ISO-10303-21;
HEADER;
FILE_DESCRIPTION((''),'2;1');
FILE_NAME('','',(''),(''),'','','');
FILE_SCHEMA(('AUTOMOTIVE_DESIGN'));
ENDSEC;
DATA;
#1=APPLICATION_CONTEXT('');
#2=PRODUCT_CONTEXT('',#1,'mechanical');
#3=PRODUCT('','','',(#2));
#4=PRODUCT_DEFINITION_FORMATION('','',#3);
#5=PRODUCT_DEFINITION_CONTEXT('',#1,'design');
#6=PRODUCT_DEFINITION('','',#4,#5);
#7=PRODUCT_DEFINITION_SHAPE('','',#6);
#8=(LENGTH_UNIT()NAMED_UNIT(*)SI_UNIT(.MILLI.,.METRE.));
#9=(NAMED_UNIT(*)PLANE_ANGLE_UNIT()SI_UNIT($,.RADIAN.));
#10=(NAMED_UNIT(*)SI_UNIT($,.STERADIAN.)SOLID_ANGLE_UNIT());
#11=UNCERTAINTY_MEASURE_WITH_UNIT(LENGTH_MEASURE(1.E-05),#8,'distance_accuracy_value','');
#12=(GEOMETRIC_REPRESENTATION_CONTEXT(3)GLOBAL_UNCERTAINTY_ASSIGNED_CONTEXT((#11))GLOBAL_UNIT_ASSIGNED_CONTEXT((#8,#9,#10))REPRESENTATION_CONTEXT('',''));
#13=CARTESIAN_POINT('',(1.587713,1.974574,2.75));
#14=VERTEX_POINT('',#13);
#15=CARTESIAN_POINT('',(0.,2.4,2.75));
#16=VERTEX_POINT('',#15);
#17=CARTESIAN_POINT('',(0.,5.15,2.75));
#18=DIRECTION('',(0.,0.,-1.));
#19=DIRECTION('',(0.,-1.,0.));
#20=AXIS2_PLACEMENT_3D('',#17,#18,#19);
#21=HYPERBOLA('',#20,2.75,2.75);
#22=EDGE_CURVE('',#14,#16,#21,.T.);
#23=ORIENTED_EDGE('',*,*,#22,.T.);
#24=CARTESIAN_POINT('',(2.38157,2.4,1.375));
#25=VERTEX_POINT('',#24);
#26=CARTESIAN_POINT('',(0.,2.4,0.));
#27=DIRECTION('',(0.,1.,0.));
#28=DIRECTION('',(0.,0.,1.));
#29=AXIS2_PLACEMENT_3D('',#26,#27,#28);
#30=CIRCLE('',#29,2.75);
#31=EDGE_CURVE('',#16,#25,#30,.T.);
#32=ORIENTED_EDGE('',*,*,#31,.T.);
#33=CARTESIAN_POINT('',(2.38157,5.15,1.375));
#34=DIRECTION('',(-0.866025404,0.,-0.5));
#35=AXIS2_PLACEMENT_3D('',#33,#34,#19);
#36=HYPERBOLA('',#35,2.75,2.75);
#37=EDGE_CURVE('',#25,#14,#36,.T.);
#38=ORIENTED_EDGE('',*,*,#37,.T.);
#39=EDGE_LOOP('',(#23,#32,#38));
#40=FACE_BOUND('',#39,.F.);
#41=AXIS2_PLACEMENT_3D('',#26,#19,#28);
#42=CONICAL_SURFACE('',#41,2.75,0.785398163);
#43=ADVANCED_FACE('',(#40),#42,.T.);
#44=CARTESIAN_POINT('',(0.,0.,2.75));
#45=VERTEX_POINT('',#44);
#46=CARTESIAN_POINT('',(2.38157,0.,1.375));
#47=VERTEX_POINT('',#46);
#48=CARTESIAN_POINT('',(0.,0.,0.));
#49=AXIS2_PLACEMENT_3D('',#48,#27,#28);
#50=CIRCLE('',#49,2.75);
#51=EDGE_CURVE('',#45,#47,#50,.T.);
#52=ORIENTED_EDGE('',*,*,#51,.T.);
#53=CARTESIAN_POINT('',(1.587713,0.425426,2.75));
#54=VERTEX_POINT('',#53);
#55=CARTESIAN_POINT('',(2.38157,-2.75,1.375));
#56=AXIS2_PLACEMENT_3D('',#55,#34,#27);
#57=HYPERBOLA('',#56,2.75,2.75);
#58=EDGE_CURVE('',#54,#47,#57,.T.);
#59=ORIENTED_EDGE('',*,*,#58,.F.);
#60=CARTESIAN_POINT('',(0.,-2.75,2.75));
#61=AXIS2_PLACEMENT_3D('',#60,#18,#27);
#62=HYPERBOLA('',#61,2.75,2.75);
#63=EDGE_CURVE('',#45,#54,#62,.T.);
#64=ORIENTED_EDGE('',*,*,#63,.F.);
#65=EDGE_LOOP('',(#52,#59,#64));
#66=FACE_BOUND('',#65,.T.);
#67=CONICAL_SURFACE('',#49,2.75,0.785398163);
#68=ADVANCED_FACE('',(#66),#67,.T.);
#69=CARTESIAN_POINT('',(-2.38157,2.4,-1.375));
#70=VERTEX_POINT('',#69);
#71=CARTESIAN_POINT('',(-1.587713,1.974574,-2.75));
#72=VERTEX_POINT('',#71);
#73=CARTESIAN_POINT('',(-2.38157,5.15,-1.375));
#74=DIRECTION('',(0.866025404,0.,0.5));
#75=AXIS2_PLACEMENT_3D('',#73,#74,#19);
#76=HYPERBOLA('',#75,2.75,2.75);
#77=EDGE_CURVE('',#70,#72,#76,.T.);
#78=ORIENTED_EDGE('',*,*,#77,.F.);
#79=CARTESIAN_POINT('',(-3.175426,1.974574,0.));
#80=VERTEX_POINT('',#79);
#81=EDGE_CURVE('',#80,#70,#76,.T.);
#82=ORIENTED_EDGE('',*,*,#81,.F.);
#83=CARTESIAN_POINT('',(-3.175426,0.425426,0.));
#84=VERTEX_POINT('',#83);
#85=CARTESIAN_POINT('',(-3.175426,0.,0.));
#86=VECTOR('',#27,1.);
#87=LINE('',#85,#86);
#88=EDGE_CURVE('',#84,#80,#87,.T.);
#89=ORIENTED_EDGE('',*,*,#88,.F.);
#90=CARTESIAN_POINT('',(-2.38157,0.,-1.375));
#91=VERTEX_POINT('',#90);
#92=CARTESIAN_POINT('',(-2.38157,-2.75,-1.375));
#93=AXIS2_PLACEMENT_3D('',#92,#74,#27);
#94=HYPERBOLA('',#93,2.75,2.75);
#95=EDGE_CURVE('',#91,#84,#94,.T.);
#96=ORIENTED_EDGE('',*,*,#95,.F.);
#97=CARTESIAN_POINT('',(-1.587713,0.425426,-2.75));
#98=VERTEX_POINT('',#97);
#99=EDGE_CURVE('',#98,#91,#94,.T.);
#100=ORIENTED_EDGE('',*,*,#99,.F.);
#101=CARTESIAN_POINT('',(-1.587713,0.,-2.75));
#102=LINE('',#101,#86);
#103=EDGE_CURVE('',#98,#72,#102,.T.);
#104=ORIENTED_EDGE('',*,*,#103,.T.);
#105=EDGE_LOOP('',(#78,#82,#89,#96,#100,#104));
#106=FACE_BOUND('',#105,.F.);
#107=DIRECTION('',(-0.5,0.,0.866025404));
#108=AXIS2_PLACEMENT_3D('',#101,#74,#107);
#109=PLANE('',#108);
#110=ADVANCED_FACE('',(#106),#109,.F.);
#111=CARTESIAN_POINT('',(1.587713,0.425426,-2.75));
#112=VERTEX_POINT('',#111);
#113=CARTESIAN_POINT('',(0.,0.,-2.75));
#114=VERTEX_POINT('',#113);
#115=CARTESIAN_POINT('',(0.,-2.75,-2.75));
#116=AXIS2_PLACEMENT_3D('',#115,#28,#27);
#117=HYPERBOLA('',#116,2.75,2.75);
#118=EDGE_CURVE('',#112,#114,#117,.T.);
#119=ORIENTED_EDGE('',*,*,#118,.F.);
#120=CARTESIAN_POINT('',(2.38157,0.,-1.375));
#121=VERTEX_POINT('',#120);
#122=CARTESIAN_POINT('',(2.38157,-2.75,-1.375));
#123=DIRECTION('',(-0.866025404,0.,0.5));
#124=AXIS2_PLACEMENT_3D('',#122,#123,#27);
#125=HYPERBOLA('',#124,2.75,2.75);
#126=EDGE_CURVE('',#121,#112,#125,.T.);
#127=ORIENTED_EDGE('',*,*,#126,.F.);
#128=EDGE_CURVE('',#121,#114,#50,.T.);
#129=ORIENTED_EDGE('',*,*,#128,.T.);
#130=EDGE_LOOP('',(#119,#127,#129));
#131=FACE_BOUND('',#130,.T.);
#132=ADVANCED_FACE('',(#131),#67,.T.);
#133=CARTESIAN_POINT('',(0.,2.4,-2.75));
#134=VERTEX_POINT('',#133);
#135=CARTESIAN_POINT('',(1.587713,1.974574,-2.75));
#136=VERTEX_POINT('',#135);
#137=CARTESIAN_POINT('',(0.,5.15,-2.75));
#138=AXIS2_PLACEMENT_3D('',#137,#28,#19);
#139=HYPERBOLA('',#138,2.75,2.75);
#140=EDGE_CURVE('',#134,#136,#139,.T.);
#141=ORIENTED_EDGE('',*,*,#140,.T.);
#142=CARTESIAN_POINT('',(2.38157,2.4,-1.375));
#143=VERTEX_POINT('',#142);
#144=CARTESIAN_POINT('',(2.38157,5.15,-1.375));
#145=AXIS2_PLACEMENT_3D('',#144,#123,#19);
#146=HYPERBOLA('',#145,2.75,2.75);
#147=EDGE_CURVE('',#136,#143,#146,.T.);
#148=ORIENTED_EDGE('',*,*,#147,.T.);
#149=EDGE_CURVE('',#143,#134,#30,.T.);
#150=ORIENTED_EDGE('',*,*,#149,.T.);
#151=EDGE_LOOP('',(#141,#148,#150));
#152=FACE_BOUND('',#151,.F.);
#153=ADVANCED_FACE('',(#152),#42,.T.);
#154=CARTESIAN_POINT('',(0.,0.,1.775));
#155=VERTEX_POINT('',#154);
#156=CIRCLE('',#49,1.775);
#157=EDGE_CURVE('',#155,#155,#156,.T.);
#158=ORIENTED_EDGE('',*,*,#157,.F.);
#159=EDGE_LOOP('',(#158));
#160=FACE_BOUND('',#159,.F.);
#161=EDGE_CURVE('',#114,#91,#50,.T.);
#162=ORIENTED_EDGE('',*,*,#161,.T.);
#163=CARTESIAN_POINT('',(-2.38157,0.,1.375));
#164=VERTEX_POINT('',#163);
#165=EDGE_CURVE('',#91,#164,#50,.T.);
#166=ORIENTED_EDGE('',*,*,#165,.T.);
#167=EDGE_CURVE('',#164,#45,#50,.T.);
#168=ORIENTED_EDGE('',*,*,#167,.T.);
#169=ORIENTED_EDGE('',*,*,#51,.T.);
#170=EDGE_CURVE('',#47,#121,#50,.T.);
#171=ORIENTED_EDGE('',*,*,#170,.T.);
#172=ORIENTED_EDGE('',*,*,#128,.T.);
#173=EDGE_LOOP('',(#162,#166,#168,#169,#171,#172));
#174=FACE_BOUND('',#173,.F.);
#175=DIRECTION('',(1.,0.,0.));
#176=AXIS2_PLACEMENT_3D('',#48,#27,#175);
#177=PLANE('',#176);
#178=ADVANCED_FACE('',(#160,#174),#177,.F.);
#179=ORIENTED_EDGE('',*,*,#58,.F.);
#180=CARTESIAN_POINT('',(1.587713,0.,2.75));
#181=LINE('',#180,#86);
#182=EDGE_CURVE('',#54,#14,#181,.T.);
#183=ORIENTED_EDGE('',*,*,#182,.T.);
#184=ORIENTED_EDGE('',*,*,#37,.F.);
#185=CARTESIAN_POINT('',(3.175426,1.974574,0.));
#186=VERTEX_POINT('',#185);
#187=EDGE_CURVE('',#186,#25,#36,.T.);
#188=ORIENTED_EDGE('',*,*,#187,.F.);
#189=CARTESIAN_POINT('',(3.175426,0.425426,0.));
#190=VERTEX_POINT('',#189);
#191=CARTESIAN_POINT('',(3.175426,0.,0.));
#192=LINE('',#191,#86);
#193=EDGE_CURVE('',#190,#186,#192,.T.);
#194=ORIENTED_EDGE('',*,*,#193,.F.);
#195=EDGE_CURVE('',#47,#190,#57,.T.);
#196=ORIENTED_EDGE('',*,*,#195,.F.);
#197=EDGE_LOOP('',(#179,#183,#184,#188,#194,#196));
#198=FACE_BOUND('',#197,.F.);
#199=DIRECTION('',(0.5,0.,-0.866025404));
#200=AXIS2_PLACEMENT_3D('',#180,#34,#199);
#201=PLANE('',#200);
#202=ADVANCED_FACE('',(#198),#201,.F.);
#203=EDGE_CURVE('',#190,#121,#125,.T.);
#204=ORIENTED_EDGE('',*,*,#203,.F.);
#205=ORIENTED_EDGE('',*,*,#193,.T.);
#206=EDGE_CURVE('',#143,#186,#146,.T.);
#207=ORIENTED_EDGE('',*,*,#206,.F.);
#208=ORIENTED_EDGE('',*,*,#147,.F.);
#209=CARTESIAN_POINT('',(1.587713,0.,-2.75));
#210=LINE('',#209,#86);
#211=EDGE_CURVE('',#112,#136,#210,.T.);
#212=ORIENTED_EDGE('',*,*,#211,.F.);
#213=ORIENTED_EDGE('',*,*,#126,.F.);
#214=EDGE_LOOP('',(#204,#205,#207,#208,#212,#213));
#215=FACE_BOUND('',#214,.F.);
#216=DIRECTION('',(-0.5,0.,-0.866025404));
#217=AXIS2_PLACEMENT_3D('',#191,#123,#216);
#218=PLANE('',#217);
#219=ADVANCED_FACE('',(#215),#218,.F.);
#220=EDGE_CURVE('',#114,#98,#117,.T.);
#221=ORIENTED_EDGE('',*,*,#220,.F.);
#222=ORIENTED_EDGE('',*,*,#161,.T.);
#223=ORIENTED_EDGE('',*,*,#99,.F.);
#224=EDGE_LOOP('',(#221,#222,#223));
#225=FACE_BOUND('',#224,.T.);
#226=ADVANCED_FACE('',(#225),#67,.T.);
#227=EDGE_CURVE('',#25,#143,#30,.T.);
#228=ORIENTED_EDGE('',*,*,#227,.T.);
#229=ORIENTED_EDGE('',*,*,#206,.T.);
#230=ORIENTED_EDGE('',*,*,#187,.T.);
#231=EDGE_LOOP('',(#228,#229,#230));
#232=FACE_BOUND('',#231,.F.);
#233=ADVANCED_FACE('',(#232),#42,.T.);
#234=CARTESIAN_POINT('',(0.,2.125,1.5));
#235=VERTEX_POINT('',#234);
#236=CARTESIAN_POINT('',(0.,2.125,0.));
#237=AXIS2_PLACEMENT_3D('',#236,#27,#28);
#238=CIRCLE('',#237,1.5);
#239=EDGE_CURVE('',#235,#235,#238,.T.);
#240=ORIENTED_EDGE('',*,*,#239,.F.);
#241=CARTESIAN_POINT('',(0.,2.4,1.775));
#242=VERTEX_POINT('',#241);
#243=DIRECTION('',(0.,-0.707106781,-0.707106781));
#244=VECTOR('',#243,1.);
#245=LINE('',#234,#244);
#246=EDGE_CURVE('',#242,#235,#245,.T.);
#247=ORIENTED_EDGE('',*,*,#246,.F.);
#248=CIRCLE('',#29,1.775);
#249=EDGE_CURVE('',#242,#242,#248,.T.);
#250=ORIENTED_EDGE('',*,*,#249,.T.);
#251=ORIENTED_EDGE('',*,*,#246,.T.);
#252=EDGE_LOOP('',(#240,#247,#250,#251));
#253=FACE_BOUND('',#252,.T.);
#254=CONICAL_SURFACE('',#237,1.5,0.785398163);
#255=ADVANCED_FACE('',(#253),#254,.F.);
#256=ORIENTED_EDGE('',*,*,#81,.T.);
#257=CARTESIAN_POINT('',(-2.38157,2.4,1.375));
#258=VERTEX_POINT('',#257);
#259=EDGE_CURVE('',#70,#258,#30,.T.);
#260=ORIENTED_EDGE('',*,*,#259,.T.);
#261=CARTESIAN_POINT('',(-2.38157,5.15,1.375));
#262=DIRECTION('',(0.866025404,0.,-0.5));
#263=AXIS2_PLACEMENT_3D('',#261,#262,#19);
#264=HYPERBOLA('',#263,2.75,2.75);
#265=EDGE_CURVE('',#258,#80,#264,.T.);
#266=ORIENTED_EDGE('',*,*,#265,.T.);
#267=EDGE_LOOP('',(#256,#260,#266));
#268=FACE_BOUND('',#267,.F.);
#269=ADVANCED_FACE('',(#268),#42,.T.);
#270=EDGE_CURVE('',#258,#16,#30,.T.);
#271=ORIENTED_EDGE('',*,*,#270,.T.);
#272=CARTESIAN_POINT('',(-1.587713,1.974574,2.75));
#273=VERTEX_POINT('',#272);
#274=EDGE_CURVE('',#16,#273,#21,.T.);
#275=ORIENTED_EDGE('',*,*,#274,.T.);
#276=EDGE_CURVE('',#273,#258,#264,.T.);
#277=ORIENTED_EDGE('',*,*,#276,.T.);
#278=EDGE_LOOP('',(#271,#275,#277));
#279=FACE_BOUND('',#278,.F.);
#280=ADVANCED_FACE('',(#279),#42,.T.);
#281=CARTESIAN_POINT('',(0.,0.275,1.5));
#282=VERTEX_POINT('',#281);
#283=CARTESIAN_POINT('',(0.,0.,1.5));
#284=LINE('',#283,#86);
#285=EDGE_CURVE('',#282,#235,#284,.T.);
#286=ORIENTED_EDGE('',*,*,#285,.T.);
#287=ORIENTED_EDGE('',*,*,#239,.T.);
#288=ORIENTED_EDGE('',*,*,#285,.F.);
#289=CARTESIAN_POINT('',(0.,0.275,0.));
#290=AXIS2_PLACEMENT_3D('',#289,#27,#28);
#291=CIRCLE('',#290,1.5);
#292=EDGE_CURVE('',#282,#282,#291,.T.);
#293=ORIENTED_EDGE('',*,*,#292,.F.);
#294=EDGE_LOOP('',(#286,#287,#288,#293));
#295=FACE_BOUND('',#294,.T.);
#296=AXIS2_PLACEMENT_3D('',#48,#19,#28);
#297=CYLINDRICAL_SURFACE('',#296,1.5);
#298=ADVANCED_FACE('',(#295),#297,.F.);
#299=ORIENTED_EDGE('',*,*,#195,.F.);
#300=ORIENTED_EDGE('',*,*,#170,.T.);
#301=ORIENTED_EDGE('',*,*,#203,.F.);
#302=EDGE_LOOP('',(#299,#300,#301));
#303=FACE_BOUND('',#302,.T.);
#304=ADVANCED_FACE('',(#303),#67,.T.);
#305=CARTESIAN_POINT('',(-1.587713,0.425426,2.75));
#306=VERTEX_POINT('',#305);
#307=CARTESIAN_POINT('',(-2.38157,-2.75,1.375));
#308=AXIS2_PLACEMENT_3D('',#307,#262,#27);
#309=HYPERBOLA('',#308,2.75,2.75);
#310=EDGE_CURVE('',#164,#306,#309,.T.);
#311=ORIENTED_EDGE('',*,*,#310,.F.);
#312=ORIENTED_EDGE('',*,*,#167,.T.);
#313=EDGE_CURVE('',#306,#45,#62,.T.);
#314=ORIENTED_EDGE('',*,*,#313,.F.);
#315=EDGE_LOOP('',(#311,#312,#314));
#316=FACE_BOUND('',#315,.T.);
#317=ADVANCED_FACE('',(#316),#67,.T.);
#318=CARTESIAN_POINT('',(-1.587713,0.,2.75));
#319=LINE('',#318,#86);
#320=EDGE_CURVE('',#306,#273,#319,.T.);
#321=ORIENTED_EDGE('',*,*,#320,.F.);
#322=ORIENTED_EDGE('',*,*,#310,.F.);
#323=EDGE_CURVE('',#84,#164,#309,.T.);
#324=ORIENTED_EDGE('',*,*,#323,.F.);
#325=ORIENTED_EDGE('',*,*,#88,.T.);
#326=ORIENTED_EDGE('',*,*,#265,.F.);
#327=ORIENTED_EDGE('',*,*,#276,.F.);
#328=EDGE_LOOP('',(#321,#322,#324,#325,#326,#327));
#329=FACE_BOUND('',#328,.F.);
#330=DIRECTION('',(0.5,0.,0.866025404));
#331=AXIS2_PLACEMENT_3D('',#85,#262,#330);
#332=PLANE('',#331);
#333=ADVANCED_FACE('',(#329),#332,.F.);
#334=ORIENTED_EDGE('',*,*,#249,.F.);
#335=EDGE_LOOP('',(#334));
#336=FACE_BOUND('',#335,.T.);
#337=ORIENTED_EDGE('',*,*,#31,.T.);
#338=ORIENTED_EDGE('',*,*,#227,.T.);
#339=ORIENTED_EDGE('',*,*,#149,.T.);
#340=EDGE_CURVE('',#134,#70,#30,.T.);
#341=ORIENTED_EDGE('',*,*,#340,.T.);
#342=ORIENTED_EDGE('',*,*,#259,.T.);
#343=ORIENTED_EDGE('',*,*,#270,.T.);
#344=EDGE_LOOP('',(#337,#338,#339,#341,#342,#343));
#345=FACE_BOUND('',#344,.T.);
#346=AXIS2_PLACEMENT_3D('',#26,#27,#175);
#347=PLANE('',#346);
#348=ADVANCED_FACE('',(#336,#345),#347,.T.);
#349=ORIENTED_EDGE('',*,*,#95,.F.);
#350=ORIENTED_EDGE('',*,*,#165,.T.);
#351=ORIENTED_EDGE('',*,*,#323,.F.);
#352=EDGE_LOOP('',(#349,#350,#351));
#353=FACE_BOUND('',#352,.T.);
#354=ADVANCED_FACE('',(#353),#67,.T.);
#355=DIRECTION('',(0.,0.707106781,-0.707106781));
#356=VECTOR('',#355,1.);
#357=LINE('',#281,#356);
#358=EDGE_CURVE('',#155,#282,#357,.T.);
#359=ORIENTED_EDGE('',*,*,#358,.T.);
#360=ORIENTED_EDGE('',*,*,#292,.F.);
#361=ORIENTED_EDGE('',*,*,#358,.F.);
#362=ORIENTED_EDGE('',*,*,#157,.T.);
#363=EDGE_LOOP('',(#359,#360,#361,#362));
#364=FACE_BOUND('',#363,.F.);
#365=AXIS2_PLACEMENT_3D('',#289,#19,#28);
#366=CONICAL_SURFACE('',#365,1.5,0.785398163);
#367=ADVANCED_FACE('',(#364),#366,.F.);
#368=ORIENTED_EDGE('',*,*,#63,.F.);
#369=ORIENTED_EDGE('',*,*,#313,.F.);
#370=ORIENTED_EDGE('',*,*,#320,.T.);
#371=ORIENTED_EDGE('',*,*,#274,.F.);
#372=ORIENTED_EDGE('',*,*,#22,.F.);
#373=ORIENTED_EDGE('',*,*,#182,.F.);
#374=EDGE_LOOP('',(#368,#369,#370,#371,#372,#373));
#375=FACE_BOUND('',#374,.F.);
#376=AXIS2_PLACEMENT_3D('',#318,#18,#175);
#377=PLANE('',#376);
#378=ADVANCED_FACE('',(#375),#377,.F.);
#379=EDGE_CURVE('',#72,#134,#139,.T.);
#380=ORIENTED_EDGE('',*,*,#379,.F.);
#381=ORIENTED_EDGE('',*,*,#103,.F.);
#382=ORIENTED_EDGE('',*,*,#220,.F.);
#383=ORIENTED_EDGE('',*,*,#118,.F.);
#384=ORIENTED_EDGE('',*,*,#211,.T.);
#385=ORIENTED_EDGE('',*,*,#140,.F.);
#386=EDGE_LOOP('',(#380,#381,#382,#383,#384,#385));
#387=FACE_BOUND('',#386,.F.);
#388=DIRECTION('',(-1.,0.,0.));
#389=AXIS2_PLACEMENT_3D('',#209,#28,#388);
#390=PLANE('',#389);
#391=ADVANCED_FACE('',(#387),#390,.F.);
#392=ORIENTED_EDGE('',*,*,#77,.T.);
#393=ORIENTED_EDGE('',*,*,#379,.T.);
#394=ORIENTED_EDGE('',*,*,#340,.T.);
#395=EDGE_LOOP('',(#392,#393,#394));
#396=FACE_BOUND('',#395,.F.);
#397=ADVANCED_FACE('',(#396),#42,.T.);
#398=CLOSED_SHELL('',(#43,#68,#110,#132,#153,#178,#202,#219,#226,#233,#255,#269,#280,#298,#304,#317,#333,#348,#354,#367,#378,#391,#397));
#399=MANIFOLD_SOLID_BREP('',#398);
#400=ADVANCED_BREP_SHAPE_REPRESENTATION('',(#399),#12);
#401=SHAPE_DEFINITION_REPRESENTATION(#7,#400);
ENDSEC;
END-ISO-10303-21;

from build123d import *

# Parameters (mm, degrees)
SKETCH1_R           = 1.5
BOSS_EXTRUDE1_DEPTH = 2.4
CHAMFER1_SIZE       = 0.275


with BuildPart() as part:
    # Sketch1 → Boss-Extrude1 (new body)
    with BuildSketch(Plane(origin=(0, 0, 0), x_dir=(1, 0, 0), z_dir=(0, 1, 0))):
        Polygon((3.175426481, 0), (1.58771324, 2.75), (-1.58771324, 2.75), (-3.175426481, 0), (-1.58771324, -2.75), (1.58771324, -2.75), align=None)
        with Locations(Location((0, 0, 0), (0, 0, 270))):
            Circle(SKETCH1_R, mode=Mode.SUBTRACT)
    extrude(amount=BOSS_EXTRUDE1_DEPTH)

    # Sketch3 → Cut-Revolve1 (revolve, cut)
    with BuildSketch(Plane(origin=(0, 0, 0), x_dir=(0, 0, -1), z_dir=(1, 0, 0))):
        Polygon((-2.75, 0), (-3.45, 0.7), (-3.45, 0), align=None)
        Polygon((-3.45, 2.4), (-2.75, 2.4), (-3.45, 1.7), align=None)
    revolve(axis=Axis((0, 0, 0), (0, 1, 0)), mode=Mode.SUBTRACT)

    # Chamfer1
    chamfer1_edges = [part.edges().sort_by_distance(p)[0] for p in [
        (0, 0, -1.5),
        (0, 2.4, -1.5),
    ]]
    chamfer(chamfer1_edges, length=CHAMFER1_SIZE)


solid = part.part
